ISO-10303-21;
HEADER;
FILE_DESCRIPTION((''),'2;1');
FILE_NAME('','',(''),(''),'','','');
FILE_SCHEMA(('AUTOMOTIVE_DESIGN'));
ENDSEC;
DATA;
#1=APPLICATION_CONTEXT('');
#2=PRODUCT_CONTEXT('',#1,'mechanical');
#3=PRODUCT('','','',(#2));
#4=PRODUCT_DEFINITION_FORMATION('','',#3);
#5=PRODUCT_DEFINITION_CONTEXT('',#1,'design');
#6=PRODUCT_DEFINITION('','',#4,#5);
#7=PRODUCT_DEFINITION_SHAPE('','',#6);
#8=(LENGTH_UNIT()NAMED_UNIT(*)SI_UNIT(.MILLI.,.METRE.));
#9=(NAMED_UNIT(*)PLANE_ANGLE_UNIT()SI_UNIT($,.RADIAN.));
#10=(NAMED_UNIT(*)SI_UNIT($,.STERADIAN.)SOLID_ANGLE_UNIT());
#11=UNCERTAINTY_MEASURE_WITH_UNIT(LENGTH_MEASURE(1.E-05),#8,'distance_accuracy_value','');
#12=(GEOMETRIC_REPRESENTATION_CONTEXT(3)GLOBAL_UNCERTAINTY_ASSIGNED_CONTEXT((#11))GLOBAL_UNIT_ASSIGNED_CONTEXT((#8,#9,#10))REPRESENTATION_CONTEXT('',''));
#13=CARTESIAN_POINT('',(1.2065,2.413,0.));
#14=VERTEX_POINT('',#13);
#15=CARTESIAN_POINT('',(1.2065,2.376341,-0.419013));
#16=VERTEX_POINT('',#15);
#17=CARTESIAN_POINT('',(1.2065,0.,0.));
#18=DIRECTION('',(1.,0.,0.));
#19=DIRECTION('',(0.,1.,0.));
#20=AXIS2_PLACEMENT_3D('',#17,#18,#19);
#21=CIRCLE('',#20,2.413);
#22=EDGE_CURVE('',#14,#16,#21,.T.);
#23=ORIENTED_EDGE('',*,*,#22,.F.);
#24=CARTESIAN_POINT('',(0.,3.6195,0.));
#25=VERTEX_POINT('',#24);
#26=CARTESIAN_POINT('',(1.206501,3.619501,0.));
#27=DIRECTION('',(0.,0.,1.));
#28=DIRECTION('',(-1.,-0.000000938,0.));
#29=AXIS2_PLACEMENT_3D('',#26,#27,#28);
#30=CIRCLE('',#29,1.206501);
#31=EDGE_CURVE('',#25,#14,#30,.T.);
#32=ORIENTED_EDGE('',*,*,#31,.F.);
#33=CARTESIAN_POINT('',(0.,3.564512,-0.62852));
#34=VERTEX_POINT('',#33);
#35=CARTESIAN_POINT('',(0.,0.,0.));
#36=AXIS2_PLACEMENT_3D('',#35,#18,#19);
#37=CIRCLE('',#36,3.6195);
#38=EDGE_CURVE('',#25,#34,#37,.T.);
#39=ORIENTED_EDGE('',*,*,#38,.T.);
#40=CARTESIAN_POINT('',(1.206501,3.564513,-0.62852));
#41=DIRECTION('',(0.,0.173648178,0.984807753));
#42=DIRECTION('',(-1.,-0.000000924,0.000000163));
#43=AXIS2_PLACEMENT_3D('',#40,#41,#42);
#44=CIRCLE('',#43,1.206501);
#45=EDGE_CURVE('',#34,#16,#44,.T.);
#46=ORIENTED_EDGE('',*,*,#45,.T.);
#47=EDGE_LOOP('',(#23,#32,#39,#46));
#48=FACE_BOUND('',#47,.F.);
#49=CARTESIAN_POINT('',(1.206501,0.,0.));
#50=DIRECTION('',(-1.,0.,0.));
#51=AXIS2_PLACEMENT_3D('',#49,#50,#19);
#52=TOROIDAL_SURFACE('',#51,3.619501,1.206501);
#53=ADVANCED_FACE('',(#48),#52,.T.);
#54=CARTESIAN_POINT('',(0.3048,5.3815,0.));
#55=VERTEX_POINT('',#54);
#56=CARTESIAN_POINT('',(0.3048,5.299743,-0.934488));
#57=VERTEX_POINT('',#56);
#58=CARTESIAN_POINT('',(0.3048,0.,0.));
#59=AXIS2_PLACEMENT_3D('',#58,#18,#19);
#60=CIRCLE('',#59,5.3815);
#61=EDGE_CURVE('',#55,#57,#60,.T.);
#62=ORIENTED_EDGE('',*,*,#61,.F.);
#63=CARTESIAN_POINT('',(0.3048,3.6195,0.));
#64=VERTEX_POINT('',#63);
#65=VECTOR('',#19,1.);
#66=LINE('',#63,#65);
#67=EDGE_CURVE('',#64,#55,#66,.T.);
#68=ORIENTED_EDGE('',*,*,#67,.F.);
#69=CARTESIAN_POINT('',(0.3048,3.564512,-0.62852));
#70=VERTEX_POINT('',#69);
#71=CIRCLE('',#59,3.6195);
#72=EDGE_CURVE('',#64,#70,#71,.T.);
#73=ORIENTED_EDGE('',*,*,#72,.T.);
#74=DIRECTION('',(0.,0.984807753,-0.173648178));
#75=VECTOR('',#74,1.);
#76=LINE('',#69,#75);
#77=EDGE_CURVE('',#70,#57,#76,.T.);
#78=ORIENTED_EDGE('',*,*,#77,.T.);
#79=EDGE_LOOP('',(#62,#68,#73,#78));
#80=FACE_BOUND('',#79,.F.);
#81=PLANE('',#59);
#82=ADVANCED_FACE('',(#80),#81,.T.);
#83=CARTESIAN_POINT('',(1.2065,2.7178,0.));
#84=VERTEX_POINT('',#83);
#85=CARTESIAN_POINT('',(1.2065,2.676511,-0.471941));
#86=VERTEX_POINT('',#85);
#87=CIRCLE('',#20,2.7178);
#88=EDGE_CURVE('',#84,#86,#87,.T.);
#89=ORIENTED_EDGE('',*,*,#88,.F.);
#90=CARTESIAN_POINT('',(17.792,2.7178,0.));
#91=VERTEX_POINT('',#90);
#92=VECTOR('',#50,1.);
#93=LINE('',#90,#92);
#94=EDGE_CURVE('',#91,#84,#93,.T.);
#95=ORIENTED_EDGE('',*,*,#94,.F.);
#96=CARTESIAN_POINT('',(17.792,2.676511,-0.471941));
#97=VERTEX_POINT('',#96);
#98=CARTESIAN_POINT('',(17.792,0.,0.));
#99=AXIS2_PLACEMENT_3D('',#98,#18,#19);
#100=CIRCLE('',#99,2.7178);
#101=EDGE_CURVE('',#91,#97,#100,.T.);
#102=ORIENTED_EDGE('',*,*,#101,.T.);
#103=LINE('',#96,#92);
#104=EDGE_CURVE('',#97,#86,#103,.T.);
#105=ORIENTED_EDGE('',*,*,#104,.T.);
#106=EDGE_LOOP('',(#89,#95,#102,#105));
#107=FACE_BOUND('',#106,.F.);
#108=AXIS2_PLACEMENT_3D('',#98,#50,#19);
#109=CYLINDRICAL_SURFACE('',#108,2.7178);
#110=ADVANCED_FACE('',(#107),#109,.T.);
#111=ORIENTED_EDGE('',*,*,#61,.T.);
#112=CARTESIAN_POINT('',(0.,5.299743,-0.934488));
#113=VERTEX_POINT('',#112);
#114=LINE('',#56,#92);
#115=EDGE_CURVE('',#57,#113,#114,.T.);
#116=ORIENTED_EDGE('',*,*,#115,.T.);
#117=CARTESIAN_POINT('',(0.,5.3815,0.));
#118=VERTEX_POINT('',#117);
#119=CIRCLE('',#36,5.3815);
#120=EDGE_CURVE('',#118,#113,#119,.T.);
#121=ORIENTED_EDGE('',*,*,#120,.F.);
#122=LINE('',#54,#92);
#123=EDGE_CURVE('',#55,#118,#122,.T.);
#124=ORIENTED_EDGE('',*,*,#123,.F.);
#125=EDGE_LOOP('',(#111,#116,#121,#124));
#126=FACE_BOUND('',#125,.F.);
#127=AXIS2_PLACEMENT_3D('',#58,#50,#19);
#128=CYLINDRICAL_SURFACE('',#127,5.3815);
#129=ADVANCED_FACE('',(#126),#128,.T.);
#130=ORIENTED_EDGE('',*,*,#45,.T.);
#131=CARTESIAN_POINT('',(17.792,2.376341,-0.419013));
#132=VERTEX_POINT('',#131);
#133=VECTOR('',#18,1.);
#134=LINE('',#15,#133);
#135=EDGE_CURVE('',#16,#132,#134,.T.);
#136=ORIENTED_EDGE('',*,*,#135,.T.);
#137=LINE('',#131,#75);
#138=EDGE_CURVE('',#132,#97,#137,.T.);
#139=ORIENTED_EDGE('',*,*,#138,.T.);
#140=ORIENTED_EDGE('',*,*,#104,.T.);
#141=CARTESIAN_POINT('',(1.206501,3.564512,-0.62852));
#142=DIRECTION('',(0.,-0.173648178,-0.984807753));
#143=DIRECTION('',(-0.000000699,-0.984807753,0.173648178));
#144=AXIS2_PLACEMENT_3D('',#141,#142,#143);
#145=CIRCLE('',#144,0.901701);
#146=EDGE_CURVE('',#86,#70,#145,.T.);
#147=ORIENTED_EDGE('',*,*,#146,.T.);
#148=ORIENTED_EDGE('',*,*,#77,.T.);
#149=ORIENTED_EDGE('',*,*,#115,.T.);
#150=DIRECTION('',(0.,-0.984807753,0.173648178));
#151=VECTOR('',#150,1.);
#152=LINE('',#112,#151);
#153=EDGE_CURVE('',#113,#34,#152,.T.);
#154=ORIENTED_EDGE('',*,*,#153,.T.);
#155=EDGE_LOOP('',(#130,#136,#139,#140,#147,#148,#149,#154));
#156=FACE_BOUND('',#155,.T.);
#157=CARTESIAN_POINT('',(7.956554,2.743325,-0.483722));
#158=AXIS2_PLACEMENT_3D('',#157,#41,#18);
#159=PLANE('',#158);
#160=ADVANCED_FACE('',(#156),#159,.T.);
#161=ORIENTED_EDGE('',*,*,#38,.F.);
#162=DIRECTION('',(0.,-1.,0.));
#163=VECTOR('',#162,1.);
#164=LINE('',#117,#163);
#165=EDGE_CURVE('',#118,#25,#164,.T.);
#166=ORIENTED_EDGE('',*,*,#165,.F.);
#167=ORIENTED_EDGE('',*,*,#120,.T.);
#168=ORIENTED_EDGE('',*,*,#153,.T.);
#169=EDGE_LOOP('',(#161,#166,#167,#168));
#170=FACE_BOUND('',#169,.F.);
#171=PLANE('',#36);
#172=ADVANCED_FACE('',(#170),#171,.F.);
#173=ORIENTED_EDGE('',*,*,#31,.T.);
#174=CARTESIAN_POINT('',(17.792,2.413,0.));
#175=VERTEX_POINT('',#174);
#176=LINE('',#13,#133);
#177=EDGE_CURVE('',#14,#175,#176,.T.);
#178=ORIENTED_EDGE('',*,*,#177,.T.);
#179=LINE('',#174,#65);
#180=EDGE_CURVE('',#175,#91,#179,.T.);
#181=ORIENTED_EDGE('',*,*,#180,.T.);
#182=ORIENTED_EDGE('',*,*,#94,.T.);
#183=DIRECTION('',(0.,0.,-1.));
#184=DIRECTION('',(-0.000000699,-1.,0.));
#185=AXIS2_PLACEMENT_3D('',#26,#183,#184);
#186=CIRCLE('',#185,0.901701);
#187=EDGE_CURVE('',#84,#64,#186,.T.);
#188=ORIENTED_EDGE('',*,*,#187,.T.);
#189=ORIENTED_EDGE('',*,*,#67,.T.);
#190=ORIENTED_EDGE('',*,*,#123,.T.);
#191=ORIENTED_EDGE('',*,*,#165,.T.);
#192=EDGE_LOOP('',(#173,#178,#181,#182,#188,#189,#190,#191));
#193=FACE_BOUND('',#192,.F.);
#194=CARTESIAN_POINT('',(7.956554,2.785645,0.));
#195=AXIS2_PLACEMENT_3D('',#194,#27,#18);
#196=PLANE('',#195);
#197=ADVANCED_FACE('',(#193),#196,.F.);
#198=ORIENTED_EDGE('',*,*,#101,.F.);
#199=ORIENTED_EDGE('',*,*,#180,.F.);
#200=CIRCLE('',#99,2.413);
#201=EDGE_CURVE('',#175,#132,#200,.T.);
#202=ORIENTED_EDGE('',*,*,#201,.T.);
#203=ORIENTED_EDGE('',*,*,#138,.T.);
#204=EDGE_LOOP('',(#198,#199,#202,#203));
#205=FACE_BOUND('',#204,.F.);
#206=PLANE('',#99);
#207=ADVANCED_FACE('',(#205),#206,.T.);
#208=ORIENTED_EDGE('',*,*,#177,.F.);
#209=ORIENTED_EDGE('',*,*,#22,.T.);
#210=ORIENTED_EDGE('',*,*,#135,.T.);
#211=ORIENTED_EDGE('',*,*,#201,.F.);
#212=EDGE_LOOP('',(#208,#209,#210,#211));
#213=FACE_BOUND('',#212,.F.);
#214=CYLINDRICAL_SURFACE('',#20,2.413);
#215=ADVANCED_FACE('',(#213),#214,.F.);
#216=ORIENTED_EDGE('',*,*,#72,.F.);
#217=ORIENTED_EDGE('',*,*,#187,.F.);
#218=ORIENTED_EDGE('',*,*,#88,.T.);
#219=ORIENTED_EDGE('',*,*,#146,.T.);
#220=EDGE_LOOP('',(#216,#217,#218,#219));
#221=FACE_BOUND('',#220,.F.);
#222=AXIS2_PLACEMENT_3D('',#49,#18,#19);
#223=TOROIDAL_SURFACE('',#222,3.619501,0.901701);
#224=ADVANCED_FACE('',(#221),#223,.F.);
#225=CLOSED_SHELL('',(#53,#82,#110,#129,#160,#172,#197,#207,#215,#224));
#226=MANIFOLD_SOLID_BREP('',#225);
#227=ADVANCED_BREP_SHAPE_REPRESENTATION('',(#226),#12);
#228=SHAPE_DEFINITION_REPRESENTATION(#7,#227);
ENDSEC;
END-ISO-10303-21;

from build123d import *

# Parameters (mm, degrees)
F1_ANGLE = 350


with BuildPart() as f1:
    # F0 (on Top) → F1 (revolve)
    with BuildSketch(Plane.XY):
        with BuildLine():
            Line((1.2065, 2.413), (17.792, 2.413))
            Line((17.792, 2.413), (17.792, 2.7178))
            Line((17.792, 2.7178), (1.2065, 2.7178))
            ThreePointArc((1.2065, 2.7178), (0.568902, 2.981902), (0.3048, 3.6195))
            Line((0.3048, 3.6195), (0.3048, 5.3815))
            Line((0.3048, 5.3815), (0, 5.3815))
            Line((0, 5.3815), (0, 3.6195))
            ThreePointArc((0, 3.6195), (0.353376, 2.766376), (1.2065, 2.413))
        make_face()
    revolve(axis=Axis((8.896, 0, 0), (1, 0, 0)), revolution_arc=F1_ANGLE)


solid = f1.part
